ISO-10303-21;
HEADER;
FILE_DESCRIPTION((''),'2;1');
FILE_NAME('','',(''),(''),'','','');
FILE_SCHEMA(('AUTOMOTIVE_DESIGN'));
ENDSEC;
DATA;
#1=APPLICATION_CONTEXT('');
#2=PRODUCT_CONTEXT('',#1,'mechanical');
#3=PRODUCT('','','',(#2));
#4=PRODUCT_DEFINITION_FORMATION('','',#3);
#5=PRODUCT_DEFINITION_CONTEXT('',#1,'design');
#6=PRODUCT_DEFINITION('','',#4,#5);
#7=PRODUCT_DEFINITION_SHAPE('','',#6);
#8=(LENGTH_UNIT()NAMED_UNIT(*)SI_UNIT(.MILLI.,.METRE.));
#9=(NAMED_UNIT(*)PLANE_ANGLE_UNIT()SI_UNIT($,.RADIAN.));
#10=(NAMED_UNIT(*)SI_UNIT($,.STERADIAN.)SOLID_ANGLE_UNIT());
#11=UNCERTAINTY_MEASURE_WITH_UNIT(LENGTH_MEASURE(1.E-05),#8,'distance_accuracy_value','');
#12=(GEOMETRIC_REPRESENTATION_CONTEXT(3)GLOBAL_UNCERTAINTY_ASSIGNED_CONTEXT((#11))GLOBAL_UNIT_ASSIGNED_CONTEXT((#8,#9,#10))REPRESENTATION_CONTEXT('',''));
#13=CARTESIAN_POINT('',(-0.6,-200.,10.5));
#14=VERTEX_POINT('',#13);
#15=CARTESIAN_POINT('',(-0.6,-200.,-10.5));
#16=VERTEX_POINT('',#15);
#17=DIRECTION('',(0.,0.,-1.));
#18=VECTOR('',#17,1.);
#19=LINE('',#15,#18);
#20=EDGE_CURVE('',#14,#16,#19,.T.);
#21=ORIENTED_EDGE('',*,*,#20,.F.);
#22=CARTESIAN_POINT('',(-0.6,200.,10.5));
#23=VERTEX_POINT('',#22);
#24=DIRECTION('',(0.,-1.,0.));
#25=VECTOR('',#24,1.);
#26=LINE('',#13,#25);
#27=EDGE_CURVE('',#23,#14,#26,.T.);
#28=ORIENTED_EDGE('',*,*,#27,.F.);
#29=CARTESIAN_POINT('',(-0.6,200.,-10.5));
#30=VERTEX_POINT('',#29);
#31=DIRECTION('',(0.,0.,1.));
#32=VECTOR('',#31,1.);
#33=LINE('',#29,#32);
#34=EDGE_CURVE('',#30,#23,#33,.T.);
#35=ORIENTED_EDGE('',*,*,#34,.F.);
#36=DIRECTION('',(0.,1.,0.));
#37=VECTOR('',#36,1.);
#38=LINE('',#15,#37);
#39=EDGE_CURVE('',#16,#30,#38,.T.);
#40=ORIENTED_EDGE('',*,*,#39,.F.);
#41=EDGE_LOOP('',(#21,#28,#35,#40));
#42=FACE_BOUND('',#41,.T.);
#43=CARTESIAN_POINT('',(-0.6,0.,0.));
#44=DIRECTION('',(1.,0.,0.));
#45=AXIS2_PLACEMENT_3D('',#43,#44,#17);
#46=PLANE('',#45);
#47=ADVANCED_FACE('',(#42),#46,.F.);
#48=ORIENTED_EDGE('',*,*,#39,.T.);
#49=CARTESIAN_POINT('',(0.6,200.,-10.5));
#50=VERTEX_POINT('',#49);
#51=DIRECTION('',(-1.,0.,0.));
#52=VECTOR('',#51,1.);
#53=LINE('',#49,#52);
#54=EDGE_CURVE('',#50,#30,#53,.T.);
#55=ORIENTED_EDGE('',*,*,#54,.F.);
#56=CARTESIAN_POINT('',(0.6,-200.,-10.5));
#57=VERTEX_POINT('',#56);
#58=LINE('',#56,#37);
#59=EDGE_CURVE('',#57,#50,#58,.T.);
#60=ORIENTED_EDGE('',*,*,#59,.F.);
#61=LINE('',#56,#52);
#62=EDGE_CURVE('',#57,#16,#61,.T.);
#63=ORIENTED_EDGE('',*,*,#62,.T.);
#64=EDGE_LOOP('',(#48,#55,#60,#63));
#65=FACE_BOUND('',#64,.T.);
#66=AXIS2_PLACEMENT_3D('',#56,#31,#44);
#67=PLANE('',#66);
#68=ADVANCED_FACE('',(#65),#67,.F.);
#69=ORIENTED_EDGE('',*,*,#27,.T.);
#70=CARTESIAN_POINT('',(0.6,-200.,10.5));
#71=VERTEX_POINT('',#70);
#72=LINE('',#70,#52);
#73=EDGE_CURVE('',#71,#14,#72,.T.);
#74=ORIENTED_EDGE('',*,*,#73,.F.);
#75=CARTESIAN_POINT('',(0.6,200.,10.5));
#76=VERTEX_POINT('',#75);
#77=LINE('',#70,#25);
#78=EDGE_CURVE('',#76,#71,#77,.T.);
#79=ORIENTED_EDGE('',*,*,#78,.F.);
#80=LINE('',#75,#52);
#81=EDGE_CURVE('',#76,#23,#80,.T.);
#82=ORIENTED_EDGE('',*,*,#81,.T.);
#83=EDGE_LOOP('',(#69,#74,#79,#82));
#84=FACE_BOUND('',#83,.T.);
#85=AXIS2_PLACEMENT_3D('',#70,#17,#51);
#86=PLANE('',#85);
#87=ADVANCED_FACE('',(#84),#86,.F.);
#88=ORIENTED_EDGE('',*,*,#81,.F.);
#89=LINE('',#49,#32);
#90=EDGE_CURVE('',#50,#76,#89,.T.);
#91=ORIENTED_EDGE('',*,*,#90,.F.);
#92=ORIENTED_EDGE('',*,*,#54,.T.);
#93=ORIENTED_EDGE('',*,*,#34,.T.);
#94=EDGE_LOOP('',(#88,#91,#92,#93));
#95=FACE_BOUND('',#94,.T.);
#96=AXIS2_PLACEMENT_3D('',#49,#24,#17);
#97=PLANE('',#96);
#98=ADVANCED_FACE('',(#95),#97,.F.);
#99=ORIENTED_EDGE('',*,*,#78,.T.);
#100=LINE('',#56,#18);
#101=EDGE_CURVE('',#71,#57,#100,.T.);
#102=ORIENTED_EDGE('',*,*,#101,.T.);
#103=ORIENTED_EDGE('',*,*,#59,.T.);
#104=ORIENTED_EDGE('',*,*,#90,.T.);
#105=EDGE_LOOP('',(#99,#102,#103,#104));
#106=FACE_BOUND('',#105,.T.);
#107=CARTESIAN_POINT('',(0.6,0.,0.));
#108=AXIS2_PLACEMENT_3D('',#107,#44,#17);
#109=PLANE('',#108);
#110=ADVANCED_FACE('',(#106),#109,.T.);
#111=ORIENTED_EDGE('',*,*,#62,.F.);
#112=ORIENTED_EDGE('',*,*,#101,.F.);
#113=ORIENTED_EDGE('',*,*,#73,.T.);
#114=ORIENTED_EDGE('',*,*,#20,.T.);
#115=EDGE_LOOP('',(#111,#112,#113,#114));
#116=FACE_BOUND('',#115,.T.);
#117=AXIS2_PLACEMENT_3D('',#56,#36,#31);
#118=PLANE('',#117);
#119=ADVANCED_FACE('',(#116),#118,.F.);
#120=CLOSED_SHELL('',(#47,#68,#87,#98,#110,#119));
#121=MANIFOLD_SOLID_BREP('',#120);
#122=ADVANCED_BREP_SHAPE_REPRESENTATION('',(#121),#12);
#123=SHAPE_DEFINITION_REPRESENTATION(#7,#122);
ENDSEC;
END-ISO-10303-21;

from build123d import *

# Parameters (mm, degrees)
SKETCH1_W           = 21
SKETCH1_H           = 400
BOSS_EXTRUDE1_DEPTH = 0.6


with BuildPart() as part:
    # Sketch1 → Boss-Extrude1 (new body, symmetric)
    with BuildSketch(Plane(origin=(0, 0, 0), x_dir=(0, 0, -1), z_dir=(1, 0, 0))):
        Rectangle(SKETCH1_W, SKETCH1_H)
    extrude(amount=BOSS_EXTRUDE1_DEPTH, both=True)


solid = part.part
